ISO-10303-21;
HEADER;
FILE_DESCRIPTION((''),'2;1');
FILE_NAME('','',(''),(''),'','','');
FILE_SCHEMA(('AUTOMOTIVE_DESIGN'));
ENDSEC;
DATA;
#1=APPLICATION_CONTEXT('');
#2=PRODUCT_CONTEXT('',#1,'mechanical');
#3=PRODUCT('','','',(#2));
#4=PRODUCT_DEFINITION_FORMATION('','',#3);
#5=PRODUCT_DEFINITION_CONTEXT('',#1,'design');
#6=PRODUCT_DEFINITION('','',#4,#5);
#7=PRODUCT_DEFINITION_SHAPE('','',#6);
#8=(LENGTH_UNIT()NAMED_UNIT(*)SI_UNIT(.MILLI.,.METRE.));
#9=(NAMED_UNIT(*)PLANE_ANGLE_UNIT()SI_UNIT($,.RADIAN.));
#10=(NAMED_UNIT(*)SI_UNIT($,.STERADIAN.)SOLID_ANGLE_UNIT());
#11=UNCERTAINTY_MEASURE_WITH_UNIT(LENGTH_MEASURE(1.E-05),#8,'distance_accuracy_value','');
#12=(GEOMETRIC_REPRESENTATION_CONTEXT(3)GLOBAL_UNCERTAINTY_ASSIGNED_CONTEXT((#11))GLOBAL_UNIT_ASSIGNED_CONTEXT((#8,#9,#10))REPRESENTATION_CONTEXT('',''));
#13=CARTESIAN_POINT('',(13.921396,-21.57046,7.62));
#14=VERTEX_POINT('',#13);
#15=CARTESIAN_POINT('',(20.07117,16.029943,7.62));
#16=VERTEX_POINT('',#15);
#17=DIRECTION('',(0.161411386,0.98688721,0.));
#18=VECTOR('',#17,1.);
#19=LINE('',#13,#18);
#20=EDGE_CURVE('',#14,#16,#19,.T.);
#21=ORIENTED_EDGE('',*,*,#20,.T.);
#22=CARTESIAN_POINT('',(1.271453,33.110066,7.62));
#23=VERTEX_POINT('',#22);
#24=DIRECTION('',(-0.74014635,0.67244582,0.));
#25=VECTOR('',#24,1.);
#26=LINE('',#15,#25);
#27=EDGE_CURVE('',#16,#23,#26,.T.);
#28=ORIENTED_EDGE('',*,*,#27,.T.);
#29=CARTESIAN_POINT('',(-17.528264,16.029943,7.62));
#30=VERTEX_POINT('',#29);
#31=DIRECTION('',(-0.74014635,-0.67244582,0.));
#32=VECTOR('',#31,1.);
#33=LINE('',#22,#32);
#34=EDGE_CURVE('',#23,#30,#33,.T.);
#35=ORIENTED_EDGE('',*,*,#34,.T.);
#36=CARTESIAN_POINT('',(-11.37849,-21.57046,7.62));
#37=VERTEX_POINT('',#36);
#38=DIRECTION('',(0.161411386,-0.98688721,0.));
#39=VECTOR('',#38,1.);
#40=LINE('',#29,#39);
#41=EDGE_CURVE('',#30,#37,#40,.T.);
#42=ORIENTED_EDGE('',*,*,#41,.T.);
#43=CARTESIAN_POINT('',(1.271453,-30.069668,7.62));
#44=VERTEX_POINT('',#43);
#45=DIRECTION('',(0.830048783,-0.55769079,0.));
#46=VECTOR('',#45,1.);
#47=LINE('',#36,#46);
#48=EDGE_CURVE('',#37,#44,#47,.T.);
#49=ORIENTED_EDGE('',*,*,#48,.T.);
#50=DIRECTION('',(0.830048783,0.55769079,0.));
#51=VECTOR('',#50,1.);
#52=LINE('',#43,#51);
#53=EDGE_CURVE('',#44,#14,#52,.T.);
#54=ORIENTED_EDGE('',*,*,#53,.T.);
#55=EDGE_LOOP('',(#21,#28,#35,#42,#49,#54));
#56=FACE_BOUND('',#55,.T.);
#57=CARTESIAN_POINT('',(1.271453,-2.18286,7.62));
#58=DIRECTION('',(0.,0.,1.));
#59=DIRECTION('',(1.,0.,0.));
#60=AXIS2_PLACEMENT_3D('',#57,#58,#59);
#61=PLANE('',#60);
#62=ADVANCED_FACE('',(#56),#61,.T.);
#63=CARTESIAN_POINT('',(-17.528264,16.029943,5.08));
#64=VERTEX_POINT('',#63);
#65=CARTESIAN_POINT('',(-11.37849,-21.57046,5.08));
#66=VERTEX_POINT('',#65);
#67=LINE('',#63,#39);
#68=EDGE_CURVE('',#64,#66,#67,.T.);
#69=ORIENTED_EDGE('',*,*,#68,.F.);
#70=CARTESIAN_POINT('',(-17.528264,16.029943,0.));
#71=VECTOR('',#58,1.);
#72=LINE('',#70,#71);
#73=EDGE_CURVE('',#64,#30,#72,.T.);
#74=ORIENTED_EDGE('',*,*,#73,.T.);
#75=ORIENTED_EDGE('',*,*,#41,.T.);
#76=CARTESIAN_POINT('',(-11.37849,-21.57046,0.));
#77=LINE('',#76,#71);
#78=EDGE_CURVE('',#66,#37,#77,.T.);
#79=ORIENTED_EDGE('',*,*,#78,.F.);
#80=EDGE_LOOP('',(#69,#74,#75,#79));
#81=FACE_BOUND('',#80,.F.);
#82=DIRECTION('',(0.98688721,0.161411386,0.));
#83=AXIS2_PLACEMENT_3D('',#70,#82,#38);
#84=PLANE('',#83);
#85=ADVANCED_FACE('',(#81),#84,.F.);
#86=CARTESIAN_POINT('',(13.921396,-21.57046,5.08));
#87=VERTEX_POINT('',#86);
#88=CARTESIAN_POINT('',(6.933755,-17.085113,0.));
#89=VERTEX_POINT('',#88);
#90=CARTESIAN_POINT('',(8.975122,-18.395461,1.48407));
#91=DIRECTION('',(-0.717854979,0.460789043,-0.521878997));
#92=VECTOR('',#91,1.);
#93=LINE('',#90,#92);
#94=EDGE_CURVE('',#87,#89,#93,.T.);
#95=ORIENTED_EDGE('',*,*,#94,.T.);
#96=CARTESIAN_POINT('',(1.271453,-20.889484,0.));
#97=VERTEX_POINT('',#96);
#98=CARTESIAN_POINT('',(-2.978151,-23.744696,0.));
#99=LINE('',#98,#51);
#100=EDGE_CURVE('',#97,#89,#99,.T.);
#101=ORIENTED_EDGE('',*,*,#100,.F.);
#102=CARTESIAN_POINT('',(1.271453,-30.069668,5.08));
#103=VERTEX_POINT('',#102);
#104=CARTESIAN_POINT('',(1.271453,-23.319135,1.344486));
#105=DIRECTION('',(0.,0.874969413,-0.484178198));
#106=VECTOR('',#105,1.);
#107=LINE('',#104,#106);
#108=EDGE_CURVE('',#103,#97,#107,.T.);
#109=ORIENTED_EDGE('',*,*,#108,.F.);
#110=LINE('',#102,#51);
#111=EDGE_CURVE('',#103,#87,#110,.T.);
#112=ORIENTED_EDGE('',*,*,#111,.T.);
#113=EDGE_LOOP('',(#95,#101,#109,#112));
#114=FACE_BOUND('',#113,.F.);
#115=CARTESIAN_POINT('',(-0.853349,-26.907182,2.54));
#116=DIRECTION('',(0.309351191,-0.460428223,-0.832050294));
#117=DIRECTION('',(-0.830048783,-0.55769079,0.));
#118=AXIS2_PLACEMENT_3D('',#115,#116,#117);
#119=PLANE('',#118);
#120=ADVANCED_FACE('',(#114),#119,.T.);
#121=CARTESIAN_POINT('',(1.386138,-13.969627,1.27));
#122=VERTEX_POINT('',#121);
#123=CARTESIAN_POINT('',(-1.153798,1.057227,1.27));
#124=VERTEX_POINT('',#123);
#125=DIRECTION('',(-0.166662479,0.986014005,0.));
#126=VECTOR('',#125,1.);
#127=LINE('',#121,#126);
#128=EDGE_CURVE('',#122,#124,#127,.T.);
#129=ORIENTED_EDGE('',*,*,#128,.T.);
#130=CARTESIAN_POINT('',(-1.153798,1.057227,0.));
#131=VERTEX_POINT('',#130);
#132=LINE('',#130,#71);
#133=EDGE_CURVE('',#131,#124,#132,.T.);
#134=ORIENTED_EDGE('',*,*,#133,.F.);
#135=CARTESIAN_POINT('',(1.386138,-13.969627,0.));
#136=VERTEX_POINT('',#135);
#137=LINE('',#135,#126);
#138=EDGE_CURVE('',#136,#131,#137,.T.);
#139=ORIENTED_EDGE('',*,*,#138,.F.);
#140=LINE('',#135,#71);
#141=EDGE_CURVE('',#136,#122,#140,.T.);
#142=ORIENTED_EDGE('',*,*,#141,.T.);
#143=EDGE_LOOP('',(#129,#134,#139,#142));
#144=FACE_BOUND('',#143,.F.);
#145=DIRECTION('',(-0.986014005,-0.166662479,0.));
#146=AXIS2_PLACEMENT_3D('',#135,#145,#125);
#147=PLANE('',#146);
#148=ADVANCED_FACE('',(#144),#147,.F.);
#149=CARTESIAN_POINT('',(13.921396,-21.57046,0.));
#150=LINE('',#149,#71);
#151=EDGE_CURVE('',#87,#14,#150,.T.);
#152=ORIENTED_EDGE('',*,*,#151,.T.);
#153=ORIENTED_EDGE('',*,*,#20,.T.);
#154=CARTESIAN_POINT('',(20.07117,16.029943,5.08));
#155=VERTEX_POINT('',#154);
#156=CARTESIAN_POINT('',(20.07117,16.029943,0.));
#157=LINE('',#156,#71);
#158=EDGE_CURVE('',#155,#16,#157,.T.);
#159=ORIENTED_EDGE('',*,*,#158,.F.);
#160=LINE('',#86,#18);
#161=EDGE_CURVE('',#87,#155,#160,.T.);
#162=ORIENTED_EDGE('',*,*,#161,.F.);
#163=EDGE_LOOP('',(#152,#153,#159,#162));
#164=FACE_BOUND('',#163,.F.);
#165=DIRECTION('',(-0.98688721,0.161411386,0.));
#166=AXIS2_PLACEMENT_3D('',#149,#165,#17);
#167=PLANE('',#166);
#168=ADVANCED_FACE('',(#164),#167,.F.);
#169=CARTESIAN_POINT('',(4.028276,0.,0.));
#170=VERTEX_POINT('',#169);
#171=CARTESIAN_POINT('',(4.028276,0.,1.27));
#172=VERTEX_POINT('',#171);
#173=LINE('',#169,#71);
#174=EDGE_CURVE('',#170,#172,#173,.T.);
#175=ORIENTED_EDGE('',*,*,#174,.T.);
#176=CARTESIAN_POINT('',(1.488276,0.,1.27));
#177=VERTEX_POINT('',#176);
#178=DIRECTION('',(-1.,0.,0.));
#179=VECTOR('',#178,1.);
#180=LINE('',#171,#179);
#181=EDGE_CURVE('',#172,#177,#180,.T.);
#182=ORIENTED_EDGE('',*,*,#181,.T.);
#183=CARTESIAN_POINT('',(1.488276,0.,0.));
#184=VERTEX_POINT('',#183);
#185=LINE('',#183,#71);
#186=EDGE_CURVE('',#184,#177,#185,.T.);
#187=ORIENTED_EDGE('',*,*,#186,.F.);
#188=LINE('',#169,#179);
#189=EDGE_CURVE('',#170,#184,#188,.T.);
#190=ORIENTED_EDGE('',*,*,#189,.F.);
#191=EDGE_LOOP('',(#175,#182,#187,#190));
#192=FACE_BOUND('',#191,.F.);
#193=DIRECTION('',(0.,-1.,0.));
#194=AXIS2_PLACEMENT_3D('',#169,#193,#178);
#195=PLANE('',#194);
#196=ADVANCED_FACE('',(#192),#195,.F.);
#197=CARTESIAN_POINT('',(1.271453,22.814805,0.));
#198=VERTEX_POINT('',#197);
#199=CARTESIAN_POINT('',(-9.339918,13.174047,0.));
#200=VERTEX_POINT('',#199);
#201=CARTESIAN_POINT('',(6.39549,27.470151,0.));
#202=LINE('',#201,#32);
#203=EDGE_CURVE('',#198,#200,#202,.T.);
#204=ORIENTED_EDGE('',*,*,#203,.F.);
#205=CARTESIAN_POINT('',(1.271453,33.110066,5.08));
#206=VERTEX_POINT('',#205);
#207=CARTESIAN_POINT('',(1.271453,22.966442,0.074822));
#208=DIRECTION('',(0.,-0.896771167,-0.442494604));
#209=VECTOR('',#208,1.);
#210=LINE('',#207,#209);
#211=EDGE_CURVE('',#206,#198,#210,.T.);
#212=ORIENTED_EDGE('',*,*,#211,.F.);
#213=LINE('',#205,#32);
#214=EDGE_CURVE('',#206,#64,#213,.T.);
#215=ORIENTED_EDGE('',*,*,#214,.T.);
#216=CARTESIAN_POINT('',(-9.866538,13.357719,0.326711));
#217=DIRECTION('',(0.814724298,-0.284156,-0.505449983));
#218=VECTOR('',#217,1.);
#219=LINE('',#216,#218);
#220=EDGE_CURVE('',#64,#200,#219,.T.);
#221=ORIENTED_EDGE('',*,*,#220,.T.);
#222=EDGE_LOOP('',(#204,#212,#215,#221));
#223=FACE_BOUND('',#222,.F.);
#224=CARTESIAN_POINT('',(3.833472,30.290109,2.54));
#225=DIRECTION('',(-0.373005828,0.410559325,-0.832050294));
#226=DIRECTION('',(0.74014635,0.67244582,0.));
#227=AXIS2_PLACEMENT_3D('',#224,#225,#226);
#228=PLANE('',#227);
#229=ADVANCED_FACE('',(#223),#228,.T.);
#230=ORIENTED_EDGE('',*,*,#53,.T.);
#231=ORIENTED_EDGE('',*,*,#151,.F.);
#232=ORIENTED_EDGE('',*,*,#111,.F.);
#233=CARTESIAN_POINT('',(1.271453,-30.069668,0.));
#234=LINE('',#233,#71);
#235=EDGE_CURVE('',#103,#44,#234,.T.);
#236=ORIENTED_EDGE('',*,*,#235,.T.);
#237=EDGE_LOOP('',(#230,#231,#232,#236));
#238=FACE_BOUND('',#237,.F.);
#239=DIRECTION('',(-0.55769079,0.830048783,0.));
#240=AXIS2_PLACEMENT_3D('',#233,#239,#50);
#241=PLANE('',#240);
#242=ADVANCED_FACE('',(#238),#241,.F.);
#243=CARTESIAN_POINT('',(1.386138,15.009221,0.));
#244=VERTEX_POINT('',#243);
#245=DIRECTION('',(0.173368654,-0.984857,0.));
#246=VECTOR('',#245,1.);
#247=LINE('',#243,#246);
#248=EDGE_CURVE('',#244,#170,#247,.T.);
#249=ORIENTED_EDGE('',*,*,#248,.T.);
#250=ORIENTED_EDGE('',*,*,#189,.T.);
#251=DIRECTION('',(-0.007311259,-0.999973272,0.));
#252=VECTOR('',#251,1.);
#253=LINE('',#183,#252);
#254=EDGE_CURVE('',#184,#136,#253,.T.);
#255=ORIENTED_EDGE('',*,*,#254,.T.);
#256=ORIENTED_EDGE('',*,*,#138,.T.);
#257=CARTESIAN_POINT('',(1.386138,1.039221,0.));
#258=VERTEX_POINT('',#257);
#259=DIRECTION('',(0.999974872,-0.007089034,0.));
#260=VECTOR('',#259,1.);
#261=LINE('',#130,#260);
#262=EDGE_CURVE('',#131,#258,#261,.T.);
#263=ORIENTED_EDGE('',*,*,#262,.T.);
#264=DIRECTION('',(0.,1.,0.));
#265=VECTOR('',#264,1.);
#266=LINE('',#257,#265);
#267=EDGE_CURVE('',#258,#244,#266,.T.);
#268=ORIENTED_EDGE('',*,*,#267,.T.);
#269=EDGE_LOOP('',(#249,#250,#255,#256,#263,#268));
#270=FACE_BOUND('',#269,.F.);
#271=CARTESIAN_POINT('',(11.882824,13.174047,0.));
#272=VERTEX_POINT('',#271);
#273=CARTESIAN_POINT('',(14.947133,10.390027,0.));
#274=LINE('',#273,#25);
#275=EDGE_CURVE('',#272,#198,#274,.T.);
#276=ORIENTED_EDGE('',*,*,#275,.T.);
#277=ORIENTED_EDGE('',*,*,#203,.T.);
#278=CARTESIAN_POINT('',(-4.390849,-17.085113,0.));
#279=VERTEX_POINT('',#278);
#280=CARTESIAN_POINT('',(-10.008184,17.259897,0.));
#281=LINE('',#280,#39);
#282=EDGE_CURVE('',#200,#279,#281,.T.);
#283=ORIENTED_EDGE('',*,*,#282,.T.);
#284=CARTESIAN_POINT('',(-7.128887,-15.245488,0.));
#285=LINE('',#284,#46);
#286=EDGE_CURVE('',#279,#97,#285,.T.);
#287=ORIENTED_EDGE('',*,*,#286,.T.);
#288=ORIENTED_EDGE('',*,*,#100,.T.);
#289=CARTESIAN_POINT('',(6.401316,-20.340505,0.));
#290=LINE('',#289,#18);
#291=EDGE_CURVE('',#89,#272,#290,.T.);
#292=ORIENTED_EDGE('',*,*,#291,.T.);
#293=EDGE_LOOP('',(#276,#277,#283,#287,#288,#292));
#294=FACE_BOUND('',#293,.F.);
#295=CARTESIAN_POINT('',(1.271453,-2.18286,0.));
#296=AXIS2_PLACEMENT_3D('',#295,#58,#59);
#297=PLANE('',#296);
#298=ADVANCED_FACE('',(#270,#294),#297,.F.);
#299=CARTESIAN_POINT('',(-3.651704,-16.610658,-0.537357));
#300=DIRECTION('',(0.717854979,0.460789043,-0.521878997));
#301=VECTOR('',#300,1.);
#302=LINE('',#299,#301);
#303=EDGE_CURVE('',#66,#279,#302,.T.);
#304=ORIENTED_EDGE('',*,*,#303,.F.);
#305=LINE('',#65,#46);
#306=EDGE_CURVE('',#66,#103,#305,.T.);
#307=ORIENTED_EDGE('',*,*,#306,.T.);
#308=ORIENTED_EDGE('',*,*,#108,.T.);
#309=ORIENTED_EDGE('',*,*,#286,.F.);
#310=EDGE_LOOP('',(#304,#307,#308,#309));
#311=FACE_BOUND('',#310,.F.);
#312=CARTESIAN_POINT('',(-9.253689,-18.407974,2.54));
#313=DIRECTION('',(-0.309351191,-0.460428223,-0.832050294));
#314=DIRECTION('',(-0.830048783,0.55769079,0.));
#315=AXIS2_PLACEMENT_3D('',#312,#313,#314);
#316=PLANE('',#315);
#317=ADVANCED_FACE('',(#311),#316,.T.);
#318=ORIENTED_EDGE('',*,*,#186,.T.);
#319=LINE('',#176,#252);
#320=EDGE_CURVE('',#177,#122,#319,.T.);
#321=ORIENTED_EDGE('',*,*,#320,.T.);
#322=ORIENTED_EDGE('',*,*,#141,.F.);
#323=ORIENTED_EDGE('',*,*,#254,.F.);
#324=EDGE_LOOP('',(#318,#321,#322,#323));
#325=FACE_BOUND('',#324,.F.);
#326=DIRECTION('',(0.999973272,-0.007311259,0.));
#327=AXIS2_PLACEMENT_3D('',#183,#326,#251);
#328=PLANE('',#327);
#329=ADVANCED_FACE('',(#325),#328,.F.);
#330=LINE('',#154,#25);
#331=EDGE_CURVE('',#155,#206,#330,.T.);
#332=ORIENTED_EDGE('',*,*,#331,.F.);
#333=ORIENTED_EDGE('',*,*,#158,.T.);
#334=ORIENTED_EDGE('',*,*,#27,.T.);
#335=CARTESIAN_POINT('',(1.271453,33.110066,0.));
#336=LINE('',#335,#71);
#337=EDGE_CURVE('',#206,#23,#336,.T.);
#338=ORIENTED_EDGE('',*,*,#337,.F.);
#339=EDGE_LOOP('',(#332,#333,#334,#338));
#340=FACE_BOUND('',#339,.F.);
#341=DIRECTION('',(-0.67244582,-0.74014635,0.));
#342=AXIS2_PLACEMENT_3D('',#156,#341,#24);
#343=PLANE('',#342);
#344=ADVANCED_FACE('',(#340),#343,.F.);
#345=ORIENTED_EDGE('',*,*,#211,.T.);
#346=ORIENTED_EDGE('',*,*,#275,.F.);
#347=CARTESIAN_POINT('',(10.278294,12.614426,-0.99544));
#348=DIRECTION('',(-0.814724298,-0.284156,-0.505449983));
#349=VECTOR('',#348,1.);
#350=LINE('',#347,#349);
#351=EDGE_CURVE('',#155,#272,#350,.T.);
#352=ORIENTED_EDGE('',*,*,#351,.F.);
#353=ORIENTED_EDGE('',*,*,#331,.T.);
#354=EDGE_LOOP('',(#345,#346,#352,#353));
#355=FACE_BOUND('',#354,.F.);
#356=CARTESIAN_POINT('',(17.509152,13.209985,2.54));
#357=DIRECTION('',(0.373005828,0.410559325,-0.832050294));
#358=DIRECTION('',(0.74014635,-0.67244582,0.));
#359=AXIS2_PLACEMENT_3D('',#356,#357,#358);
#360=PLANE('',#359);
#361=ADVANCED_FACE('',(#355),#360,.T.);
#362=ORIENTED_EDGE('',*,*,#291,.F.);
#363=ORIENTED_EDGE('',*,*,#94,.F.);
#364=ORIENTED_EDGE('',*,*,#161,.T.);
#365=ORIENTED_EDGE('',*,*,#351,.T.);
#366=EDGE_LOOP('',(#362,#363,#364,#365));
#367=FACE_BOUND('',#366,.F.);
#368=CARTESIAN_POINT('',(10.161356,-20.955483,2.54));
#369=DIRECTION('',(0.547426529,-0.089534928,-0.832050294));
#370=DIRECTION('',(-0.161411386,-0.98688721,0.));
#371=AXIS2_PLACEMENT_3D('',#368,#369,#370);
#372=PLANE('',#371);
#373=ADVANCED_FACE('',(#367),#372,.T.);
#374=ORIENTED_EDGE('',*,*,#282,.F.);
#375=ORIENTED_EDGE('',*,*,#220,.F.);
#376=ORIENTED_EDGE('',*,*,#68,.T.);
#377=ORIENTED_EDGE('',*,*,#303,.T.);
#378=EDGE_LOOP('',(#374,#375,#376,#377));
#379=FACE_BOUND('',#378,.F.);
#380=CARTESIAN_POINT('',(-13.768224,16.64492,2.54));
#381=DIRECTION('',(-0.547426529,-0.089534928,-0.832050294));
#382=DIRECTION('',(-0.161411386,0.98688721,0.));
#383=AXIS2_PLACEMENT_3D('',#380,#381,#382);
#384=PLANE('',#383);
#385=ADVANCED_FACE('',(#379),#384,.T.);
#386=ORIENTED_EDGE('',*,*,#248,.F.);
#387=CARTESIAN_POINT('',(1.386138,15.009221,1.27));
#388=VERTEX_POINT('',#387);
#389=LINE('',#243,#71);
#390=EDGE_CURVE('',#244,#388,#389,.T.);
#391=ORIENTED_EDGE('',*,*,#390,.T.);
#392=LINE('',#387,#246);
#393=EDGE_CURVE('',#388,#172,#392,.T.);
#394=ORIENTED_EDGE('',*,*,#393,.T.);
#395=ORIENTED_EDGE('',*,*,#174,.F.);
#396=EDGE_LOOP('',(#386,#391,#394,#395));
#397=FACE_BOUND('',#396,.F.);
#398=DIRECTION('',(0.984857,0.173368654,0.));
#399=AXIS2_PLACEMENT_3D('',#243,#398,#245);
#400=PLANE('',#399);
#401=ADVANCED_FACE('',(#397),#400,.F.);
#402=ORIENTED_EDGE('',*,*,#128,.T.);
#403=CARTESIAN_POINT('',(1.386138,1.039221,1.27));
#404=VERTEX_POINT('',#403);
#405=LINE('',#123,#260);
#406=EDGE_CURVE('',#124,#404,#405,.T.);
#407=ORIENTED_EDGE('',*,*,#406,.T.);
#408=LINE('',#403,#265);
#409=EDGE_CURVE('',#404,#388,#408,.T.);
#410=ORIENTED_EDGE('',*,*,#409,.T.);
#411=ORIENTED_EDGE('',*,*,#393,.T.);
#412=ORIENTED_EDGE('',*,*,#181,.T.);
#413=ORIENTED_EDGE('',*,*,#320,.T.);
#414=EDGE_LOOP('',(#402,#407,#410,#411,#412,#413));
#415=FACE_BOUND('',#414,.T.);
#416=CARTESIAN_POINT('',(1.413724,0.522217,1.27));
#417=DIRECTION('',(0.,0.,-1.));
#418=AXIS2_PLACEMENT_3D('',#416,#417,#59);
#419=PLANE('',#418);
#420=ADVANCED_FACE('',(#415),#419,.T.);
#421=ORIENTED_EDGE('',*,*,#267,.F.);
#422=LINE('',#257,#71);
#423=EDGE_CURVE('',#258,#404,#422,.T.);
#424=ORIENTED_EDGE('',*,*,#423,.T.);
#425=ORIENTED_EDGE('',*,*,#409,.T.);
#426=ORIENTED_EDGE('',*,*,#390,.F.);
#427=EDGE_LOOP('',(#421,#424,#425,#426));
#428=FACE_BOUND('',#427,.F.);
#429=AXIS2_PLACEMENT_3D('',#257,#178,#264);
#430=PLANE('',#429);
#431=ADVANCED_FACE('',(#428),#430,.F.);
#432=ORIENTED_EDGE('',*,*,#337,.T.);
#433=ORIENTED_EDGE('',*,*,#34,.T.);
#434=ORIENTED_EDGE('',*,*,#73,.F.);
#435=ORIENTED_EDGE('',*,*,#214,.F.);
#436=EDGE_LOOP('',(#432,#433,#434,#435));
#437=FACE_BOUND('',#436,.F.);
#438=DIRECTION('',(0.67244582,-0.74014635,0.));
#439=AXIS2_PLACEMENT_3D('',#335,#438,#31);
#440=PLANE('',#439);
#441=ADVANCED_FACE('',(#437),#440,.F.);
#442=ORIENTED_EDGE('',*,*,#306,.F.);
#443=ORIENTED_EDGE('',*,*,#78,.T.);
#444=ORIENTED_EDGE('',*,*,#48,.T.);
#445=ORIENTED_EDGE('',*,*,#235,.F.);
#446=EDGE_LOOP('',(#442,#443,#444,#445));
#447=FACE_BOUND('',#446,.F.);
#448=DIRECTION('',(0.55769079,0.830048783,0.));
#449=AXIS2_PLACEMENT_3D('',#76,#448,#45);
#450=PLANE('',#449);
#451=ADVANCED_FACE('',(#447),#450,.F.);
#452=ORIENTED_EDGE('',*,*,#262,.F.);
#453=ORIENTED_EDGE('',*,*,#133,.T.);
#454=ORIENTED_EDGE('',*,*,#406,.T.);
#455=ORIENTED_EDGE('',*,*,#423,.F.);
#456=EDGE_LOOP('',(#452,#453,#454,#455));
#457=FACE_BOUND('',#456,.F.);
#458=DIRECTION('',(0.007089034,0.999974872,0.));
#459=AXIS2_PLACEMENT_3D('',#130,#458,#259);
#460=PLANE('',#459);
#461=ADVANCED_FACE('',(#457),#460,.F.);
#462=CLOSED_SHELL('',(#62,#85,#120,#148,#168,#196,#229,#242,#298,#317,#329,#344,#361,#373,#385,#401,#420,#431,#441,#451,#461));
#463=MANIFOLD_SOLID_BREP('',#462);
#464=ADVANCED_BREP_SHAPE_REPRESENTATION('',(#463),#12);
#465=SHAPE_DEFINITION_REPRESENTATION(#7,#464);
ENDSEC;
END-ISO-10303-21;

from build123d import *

# Parameters (mm, degrees)
F0_W     = 17.78
F0_H     = 31.9431498042
F1_DEPTH = 7.62
F2_SIZE2 = 7.62
F2_SIZE  = 5.08
F4_DEPTH = 1.27


with BuildPart() as f1:
    # F0 (on Top) → F1 (new body)
    with BuildSketch(Plane.XY):
        with Locations((1.2714529847, -2.1828604469)):
            Rectangle(F0_W, F0_H)
        Polygon((20.0711702637, 16.0299425669), (10.1614529847, 13.7887144552), (10.1614529847, -18.154435349), (13.9213964405, -21.5704601161), align=None)
        Polygon((-7.6185470153, -18.154435349), (-7.6185470153, 13.7887144552), (-17.5282642944, 16.0299425669), (-11.3784904712, -21.5704601161), align=None)
        Polygon((10.1614529847, -18.154435349), (-7.6185470153, -18.154435349), (-11.3784904712, -21.5704601161), (1.2714529847, -30.0696677594), (13.9213964405, -21.5704601161), align=None)
        Polygon((-17.5282642944, 16.0299425669), (-7.6185470153, 13.7887144552), (10.1614529847, 13.7887144552), (20.0711702637, 16.0299425669), (1.2714529847, 33.1100664022), align=None)
    extrude(amount=F1_DEPTH)

    # F2
    f2_edges = [f1.edges().sort_by_distance(p)[0] for p in [
        (-14.453377, -2.770259, 0),
        (-5.053519, -25.820064, 0),
        (7.596425, -25.820064, 0),
        (16.996283, -2.770259, 0),
        (10.671312, 24.570004, 0),
        (-8.128406, 24.570004, 0),
    ]]
    chamfer(f2_edges, length=F2_SIZE, length2=F2_SIZE2)

    # F3 (on face) → F4 (cut)
    with BuildSketch(Plane(origin=(0, 0, 0), x_dir=(1, 0, 0), z_dir=(0, 0, -1))):
        Polygon((1.3861381407, -1.0392206757), (1.3861381407, -15.0092206757), (4.0282764242, 0), (1.4882764242, 0), (1.3861381407, 13.9696266153), (-1.1537980354, -1.0572268218), align=None)
    extrude(amount=-F4_DEPTH, mode=Mode.SUBTRACT)


solid = f1.part
